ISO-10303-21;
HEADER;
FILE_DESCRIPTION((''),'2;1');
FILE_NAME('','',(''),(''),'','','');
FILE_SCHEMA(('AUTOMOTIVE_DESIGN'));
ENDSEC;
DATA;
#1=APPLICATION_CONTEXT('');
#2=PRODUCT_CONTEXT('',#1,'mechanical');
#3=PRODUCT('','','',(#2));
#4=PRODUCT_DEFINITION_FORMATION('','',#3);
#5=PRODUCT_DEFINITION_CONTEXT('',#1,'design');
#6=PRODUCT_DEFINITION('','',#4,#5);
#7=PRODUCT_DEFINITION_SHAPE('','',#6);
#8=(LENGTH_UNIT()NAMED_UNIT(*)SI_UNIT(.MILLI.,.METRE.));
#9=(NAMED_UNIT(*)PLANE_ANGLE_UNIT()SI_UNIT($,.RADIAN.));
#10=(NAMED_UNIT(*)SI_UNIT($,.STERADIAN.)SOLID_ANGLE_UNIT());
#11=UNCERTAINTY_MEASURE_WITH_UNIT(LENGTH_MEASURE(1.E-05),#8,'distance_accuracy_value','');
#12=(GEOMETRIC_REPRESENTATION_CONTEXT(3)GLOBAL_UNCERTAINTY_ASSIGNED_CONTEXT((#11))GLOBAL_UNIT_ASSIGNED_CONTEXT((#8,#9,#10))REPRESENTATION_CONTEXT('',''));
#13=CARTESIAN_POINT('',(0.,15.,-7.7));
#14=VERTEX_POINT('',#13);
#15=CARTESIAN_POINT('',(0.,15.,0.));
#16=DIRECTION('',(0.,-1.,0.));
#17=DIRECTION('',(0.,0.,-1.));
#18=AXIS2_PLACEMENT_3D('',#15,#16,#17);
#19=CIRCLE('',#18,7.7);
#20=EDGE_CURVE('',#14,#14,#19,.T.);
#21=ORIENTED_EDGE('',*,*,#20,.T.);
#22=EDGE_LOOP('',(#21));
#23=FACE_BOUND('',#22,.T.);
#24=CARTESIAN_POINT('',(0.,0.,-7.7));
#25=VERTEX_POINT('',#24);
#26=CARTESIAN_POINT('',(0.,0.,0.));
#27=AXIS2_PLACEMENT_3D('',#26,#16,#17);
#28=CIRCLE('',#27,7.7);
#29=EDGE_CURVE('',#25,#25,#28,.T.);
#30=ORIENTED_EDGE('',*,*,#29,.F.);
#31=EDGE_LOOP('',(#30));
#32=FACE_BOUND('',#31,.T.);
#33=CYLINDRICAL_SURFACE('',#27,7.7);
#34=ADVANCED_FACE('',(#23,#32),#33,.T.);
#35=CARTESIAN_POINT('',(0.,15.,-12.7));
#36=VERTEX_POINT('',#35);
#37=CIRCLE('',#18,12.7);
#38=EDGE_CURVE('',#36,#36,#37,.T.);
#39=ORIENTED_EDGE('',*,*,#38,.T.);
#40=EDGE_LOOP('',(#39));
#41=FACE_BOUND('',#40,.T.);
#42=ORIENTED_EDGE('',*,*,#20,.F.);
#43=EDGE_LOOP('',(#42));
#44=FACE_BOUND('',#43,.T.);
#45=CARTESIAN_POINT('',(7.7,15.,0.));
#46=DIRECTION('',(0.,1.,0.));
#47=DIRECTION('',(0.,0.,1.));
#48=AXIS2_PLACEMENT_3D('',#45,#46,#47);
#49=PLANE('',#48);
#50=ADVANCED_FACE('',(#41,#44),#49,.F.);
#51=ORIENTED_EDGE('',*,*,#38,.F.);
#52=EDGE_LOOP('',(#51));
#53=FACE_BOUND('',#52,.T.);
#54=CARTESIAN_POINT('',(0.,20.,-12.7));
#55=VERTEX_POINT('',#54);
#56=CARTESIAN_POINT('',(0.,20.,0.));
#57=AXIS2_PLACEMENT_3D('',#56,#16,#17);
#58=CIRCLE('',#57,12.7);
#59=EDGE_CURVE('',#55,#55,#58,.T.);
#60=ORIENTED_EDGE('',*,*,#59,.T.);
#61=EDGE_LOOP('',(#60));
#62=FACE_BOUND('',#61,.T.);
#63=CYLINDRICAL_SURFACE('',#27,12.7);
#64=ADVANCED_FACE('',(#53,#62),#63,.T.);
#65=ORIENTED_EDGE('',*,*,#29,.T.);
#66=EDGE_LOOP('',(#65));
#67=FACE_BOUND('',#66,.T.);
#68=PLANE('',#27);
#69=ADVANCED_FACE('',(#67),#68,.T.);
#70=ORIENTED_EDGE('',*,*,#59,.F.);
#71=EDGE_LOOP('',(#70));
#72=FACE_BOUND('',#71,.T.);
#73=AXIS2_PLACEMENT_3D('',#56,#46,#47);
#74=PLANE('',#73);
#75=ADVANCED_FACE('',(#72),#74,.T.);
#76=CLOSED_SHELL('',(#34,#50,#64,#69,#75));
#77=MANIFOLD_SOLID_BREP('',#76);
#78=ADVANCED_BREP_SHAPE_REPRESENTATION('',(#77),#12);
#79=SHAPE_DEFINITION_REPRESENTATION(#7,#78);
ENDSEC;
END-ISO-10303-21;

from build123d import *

# Parameters (mm, degrees)
ESBO_O2_W = 12.7
ESBO_O2_H = 20
ESBO_O3_W = 5
ESBO_O3_H = 15


with BuildPart() as part:
    # Esboço2 → Revolução2 (revolve)
    with BuildSketch(Plane.XY, mode=Mode.PRIVATE) as revolu_o2_sk:
        with Locations((6.35, 10)):
            Rectangle(ESBO_O2_W, ESBO_O2_H)
    revolve(revolu_o2_sk.sketch.rotate(Axis((0, 0, 0), (0, 1, 0)), 90), axis=Axis((0, 0, 0), (0, 1, 0)))

    # Esboço3 → Corte-Revolução1 (revolve, cut)
    with BuildSketch(Plane.XY, mode=Mode.PRIVATE) as corte_revolu_o1_sk:
        with Locations((10.2, 7.5)):
            Rectangle(ESBO_O3_W, ESBO_O3_H)
    revolve(corte_revolu_o1_sk.sketch.rotate(Axis((0, 0, 0), (0, 1, 0)), 90), axis=Axis((0, 0, 0), (0, 1, 0)), mode=Mode.SUBTRACT)


solid = part.part
